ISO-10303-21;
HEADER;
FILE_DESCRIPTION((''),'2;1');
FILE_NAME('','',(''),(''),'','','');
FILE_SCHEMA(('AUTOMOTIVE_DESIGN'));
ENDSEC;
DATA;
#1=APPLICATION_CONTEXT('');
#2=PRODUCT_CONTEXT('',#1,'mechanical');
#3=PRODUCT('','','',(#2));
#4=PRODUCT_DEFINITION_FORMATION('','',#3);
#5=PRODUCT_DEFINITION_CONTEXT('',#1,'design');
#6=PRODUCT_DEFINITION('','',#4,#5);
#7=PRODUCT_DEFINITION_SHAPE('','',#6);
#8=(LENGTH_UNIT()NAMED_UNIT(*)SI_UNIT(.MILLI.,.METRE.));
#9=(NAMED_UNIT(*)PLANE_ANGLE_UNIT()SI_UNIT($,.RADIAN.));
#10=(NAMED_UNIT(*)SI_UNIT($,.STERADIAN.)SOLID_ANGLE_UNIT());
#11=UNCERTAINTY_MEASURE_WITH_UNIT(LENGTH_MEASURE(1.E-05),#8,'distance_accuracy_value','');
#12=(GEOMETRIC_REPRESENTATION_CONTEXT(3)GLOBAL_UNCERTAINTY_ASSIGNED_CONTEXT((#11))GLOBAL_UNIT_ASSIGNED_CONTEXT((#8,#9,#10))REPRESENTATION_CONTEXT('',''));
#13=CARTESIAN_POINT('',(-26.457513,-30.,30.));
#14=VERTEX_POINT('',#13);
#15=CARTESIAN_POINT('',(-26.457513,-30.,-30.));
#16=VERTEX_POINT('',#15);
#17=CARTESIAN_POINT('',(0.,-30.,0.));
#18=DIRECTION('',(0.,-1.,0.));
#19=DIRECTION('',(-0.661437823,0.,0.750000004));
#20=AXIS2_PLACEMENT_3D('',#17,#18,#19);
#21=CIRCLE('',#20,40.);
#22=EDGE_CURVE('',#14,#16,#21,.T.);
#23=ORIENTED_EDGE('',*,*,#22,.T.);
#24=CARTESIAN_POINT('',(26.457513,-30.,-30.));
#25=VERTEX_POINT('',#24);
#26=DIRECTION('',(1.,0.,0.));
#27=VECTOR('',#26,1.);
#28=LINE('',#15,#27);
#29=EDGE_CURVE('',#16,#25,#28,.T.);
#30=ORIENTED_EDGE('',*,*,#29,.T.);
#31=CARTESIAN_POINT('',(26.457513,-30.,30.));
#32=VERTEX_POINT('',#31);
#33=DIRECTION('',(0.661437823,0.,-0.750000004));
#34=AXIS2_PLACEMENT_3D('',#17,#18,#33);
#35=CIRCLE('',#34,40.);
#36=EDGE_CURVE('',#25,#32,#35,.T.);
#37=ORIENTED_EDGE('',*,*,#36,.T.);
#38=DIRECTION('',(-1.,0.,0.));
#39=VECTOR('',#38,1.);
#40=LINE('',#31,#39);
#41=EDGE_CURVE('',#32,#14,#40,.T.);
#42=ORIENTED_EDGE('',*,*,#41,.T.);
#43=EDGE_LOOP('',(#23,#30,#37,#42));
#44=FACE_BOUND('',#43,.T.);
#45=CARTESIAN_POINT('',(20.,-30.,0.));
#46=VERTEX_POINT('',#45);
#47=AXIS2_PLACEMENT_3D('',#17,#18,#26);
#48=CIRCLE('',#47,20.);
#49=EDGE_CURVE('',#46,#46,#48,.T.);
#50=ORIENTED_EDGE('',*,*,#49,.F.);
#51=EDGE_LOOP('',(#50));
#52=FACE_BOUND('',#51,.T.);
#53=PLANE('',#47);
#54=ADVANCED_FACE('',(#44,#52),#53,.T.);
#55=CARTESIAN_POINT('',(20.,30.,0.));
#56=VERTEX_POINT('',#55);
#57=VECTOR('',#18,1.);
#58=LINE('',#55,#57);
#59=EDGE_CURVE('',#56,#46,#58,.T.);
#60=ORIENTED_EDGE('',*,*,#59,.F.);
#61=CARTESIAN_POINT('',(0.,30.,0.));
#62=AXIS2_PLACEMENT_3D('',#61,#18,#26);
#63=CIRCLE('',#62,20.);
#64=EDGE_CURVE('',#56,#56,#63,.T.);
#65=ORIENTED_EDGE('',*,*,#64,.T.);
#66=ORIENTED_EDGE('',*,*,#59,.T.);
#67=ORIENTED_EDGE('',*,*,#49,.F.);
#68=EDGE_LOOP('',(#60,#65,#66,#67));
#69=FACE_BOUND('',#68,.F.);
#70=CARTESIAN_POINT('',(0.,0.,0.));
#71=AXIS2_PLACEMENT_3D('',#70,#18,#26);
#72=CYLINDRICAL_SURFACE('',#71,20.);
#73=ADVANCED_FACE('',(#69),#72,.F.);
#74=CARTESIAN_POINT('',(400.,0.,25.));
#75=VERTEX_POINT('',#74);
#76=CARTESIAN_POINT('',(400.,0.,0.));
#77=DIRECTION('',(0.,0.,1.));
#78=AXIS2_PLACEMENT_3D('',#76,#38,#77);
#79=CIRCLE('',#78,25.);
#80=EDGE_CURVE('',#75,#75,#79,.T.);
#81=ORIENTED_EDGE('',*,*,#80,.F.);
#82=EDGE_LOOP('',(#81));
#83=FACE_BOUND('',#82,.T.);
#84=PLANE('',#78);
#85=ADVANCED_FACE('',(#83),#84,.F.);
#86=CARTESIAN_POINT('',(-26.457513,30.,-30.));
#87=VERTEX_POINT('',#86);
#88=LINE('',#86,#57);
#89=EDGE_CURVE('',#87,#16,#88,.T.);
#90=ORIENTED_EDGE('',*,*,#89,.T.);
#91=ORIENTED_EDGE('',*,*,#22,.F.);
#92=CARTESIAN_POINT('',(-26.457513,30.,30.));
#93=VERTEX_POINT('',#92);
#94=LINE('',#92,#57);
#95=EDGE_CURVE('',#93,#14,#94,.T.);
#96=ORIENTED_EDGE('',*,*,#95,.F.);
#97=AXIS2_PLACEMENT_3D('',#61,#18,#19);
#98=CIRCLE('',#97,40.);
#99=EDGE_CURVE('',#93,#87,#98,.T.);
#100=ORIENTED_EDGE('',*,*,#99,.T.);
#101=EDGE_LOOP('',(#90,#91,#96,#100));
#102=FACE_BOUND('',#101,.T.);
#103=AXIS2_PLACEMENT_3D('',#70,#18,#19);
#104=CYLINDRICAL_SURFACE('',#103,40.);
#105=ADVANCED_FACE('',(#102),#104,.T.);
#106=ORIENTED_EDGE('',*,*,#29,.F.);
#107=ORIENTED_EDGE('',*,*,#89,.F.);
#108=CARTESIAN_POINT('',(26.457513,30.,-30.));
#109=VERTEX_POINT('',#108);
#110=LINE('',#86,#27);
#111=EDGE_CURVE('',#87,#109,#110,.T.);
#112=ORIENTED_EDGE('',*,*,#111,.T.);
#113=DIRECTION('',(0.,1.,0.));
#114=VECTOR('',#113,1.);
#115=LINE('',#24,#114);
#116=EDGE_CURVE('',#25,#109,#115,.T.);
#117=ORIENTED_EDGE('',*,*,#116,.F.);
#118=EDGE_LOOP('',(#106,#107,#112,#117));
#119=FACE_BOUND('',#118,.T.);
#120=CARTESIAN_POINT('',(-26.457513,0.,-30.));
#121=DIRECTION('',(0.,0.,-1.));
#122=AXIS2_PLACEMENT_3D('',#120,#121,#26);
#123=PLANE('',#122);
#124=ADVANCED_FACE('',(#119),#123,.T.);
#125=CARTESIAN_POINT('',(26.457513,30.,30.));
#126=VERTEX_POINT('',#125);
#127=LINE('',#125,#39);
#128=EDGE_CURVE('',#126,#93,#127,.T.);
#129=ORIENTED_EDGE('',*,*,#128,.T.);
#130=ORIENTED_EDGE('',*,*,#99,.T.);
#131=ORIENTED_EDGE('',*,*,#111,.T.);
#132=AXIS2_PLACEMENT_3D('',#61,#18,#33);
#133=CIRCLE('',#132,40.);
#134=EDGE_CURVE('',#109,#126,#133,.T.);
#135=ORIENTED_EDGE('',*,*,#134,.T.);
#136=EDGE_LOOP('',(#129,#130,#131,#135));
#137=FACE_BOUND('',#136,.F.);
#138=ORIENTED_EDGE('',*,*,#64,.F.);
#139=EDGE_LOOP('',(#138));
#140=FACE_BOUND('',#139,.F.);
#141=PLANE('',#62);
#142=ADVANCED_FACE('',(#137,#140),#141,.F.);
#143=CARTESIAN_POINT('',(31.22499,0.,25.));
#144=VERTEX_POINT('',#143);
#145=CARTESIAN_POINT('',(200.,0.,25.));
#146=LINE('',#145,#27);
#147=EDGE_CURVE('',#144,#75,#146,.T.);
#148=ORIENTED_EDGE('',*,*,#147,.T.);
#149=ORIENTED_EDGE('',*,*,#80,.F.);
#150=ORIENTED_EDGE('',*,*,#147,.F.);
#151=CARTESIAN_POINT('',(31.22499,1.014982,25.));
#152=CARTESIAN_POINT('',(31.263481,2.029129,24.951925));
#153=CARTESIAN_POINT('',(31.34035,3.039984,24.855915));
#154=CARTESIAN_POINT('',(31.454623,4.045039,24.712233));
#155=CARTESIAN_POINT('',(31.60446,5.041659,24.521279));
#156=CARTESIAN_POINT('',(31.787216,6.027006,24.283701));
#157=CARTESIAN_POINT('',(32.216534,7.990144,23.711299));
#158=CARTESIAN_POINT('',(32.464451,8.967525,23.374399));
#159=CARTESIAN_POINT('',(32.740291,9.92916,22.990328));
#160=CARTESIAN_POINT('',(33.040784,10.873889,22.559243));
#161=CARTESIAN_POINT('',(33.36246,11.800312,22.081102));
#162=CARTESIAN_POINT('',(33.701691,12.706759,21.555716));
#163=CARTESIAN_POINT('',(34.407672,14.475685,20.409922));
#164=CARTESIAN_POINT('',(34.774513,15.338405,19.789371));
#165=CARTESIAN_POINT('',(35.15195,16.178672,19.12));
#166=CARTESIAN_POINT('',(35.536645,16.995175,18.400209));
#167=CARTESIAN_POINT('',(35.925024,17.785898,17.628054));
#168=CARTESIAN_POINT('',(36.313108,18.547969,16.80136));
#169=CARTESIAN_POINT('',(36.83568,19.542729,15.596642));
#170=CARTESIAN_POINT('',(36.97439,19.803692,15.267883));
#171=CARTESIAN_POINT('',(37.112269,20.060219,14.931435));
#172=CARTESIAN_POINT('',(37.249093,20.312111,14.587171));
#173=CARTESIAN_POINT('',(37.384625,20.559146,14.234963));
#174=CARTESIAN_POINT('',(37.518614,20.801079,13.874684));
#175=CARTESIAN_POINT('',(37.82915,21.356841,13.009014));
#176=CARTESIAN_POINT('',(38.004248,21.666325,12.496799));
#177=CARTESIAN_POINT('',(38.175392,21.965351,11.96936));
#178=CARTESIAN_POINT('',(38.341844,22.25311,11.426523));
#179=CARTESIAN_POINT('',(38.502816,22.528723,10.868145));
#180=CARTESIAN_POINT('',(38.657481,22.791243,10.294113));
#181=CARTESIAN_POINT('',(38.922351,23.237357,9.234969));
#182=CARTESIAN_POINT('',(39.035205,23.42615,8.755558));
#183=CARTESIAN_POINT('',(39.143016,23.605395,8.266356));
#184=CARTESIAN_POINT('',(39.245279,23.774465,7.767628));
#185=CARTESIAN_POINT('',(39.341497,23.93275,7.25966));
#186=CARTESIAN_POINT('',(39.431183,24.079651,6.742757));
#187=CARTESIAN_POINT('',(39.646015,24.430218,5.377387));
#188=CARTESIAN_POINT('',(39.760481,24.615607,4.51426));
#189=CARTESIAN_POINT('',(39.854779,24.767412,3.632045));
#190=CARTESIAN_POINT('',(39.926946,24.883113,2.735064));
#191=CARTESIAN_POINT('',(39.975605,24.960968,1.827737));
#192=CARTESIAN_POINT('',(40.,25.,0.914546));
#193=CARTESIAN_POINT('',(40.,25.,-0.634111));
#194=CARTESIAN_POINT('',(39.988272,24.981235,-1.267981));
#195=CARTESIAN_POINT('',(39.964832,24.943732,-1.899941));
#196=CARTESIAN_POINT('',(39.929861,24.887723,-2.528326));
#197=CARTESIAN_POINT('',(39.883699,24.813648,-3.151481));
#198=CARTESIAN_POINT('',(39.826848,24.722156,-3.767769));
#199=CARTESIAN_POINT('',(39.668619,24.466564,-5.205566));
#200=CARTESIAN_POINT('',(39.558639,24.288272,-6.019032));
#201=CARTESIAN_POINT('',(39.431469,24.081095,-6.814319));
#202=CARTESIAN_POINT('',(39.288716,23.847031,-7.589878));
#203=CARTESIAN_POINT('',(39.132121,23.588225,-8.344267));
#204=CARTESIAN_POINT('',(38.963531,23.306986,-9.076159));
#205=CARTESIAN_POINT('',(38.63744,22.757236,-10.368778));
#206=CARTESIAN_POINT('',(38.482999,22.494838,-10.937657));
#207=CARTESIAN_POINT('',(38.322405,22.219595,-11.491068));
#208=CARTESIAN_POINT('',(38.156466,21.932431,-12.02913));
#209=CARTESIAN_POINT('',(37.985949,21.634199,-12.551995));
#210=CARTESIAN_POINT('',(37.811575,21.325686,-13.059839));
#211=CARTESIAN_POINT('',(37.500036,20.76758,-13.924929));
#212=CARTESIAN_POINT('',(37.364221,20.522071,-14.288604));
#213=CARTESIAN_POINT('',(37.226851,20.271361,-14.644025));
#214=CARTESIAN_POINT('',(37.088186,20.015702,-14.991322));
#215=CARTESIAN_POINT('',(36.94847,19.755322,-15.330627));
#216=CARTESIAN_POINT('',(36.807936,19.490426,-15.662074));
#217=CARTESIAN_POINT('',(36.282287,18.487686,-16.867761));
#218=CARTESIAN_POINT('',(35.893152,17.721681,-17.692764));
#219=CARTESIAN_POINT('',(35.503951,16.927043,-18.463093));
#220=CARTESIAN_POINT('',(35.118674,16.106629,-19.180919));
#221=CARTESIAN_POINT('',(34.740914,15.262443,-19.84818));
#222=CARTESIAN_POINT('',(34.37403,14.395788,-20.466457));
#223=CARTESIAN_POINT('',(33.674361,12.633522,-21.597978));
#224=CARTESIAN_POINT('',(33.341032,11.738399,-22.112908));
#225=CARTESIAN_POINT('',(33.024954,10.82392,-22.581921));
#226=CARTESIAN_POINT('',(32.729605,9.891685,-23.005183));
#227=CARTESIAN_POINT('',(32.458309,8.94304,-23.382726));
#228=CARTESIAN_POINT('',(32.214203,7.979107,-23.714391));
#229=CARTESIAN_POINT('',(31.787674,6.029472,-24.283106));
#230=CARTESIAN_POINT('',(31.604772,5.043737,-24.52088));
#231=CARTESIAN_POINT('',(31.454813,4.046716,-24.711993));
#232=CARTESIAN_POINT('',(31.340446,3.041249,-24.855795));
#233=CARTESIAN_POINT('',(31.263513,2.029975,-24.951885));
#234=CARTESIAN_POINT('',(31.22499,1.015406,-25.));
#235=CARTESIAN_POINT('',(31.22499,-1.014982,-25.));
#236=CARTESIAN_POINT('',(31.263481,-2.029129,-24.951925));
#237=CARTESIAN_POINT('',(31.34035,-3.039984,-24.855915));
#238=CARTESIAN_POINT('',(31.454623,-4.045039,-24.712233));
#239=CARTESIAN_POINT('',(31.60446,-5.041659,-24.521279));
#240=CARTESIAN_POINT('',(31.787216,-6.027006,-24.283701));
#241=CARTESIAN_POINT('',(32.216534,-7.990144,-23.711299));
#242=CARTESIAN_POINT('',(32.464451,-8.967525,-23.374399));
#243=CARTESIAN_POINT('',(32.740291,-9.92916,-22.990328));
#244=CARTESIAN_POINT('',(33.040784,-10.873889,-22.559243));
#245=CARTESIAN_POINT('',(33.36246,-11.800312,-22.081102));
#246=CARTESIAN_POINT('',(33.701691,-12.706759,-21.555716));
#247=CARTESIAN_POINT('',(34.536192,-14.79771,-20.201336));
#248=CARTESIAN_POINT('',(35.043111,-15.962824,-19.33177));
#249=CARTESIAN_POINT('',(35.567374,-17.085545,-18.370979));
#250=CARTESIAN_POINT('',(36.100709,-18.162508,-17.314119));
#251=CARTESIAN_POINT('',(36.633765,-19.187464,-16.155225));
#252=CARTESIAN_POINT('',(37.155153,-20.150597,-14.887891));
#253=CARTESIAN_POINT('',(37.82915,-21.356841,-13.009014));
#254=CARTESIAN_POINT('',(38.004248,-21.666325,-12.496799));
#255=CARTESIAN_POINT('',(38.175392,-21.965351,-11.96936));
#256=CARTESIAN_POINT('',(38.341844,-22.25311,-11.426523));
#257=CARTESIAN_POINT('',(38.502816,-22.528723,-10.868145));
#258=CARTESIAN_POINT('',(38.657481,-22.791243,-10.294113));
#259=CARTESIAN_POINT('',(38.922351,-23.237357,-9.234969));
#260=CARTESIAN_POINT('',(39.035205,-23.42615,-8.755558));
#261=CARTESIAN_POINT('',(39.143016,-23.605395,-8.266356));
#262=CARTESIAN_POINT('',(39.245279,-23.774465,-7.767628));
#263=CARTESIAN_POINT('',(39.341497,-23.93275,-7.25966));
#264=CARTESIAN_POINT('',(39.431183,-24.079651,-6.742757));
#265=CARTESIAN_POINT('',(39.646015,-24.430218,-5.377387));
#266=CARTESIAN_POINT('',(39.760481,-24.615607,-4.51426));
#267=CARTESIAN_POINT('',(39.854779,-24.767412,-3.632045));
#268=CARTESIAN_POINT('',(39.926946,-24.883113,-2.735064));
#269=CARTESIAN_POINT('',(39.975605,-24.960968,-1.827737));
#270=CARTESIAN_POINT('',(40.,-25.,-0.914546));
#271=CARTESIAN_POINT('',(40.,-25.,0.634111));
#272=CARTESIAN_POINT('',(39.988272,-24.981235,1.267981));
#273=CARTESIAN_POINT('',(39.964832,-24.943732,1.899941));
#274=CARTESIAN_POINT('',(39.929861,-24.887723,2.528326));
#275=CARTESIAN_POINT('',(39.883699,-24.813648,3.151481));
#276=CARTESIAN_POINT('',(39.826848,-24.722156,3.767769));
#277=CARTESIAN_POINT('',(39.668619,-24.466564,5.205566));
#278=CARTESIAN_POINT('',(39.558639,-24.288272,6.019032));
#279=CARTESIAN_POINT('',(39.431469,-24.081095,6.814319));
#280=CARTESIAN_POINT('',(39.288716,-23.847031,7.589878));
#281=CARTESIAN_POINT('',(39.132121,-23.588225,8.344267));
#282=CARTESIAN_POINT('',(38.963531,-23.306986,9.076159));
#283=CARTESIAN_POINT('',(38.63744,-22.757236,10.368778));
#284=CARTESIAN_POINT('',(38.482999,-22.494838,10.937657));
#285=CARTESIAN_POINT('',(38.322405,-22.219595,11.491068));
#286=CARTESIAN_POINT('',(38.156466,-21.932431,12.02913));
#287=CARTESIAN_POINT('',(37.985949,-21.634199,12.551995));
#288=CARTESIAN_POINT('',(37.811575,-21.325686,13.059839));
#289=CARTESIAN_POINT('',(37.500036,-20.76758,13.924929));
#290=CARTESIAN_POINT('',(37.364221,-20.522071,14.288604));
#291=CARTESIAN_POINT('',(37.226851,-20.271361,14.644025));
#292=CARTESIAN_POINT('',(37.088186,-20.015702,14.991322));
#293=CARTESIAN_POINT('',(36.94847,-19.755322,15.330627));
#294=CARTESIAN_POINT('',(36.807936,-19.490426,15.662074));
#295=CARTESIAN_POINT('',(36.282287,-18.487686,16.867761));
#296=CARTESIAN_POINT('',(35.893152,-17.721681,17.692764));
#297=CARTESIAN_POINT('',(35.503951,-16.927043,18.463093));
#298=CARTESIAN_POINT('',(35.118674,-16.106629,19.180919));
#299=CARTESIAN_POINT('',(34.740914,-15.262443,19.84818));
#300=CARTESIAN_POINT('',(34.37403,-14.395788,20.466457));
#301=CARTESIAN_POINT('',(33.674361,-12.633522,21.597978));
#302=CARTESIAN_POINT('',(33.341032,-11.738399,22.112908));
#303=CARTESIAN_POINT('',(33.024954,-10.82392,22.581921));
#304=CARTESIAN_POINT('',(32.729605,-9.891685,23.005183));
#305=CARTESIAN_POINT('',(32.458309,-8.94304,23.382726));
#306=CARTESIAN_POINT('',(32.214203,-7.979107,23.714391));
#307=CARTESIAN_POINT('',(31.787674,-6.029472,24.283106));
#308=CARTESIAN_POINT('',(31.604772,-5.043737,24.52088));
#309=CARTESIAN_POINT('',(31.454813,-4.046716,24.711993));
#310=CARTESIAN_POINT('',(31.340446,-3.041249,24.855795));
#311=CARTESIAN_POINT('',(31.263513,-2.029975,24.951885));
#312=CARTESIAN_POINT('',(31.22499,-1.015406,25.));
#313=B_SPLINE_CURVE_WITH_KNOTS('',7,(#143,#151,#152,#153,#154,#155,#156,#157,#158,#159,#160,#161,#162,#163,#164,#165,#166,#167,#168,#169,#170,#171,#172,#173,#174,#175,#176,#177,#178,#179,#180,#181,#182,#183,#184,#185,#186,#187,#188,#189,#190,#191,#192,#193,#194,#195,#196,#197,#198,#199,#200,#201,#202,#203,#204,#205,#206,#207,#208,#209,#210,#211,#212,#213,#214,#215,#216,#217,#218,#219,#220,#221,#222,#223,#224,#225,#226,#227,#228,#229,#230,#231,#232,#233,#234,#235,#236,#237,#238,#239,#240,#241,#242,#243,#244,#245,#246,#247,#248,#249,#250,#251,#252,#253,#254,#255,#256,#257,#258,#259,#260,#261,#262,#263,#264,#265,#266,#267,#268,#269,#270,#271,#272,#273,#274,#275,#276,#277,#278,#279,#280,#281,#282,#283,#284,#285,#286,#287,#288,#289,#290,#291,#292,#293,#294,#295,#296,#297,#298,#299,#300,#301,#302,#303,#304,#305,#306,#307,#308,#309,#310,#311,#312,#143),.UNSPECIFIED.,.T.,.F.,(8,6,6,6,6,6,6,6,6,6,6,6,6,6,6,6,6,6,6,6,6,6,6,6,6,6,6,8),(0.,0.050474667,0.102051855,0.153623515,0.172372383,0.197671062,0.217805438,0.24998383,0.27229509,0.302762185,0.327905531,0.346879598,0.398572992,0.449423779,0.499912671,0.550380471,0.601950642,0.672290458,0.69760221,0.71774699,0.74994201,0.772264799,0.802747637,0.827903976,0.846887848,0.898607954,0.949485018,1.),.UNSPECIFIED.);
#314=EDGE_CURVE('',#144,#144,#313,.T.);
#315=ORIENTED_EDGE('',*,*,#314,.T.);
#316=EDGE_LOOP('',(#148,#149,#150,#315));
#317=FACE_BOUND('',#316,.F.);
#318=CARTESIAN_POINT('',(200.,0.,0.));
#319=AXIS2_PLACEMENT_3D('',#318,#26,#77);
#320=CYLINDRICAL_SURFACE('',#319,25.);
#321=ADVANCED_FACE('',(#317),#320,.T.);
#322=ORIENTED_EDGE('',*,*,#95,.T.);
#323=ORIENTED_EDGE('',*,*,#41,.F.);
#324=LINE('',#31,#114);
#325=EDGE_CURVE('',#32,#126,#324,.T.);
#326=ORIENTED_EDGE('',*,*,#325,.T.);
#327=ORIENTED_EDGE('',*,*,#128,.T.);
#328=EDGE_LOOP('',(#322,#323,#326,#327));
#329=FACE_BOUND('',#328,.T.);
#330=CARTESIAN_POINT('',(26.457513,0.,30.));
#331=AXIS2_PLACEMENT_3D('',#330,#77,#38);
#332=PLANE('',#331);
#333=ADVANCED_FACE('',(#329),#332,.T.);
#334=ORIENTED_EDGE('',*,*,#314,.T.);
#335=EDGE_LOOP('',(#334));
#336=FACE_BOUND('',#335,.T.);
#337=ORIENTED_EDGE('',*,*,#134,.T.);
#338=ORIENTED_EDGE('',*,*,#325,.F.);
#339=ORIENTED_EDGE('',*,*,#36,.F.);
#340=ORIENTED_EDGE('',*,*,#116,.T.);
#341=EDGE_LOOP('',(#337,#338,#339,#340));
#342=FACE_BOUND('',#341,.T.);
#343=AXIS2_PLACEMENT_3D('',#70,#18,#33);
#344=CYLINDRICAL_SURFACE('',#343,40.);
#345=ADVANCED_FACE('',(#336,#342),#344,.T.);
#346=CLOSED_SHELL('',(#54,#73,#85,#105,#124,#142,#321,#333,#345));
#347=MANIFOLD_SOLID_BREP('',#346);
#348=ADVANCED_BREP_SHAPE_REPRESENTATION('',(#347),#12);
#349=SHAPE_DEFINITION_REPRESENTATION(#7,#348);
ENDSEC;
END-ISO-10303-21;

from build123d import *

# Parameters (mm, degrees)
F0_W     = 400
F0_H     = 25
F2_R     = 20
F3_DEPTH = 30
F4_DEPTH = 30


with BuildPart() as f1:
    # F0 (on Front) → F1 (revolve)
    with BuildSketch(Plane.XZ):
        with Locations((200, 12.5)):
            Rectangle(F0_W, F0_H)
    revolve(axis=Axis((200, 0, 0), (-1, 0, 0)))

    # F2 (on Front) → F3 (join, symmetric)
    with BuildSketch(Plane.XZ):
        with BuildLine():
            Line((26.457513, 30), (-26.457513, 30))
            ThreePointArc((-26.457513, 30), (-40, 0), (-26.457513, -30))
            Line((-26.457513, -30), (26.457513, -30))
            ThreePointArc((26.457513, -30), (40, 0), (26.457513, 30))
        make_face()
        Circle(F2_R, mode=Mode.SUBTRACT)
        Circle(F2_R)
    extrude(amount=F3_DEPTH, both=True)

    # F2 (on Front) → F4 (cut, symmetric)
    with BuildSketch(Plane.XZ):
        Circle(F2_R)
    extrude(amount=F4_DEPTH, both=True, mode=Mode.SUBTRACT)


solid = f1.part
